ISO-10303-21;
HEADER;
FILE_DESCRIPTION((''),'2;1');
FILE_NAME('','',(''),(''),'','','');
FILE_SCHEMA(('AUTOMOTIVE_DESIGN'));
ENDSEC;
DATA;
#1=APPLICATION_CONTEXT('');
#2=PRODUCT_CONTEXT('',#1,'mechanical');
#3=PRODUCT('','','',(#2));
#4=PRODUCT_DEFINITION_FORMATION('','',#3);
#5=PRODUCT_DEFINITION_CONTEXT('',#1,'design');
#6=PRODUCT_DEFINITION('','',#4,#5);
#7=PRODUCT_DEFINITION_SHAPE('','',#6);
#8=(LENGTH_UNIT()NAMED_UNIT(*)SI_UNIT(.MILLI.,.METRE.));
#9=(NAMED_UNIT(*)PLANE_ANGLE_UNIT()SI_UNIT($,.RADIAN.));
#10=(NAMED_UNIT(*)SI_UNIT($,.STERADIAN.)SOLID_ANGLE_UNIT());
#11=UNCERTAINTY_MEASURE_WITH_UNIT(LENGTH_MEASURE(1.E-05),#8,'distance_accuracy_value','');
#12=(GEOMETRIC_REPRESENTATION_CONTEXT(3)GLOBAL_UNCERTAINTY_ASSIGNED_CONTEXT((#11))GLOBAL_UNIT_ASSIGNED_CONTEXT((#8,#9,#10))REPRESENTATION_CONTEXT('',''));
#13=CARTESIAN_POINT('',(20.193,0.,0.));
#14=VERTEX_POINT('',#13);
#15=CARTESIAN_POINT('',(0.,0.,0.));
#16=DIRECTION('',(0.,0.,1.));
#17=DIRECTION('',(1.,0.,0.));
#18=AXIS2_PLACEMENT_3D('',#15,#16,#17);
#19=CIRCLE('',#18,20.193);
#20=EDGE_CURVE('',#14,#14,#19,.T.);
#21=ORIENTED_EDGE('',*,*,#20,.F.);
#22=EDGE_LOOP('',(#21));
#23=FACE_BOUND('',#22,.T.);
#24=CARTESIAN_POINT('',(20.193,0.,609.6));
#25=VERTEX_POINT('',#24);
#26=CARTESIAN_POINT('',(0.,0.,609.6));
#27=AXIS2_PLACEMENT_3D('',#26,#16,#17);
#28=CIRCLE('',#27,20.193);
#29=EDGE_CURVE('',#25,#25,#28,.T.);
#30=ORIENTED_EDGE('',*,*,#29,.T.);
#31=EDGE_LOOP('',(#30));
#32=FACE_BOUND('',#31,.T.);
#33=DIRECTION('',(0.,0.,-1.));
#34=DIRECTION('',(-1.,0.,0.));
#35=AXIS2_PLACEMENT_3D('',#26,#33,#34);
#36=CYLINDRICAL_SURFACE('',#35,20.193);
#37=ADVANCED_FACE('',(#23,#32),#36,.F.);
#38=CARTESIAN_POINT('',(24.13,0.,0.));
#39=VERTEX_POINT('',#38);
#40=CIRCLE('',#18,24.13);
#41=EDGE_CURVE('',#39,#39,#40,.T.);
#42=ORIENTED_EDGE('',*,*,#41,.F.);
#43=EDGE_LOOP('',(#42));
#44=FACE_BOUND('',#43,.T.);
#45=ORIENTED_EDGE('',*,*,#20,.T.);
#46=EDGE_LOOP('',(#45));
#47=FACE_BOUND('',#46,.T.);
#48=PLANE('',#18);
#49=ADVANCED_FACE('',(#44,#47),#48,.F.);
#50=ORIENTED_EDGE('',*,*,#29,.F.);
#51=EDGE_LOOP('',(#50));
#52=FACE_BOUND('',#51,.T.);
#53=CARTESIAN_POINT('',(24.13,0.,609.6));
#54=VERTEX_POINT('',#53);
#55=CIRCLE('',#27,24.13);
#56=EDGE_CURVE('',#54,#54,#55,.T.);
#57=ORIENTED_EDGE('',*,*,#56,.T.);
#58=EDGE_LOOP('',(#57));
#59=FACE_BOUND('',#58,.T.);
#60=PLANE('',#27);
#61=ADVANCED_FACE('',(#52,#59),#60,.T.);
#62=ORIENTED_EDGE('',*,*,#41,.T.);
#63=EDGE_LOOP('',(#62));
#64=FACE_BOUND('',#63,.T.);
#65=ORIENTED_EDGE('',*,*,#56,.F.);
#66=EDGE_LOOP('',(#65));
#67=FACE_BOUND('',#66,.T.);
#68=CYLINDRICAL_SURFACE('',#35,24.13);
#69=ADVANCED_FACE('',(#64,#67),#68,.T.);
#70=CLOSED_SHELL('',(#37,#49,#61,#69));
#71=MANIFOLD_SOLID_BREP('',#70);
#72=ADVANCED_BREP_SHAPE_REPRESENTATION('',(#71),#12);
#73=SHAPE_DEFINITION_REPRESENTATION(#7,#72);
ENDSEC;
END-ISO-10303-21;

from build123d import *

# Parameters (mm, degrees)
SKETCH1_R           = 24.13
SKETCH1_R_2         = 20.193
BOSS_EXTRUDE1_DEPTH = 609.6


with BuildPart() as part:
    # Sketch1 → Boss-Extrude1 (new body)
    with BuildSketch(Plane.XY):
        Circle(SKETCH1_R)
        Circle(SKETCH1_R_2, mode=Mode.SUBTRACT)
    extrude(amount=BOSS_EXTRUDE1_DEPTH)


solid = part.part
